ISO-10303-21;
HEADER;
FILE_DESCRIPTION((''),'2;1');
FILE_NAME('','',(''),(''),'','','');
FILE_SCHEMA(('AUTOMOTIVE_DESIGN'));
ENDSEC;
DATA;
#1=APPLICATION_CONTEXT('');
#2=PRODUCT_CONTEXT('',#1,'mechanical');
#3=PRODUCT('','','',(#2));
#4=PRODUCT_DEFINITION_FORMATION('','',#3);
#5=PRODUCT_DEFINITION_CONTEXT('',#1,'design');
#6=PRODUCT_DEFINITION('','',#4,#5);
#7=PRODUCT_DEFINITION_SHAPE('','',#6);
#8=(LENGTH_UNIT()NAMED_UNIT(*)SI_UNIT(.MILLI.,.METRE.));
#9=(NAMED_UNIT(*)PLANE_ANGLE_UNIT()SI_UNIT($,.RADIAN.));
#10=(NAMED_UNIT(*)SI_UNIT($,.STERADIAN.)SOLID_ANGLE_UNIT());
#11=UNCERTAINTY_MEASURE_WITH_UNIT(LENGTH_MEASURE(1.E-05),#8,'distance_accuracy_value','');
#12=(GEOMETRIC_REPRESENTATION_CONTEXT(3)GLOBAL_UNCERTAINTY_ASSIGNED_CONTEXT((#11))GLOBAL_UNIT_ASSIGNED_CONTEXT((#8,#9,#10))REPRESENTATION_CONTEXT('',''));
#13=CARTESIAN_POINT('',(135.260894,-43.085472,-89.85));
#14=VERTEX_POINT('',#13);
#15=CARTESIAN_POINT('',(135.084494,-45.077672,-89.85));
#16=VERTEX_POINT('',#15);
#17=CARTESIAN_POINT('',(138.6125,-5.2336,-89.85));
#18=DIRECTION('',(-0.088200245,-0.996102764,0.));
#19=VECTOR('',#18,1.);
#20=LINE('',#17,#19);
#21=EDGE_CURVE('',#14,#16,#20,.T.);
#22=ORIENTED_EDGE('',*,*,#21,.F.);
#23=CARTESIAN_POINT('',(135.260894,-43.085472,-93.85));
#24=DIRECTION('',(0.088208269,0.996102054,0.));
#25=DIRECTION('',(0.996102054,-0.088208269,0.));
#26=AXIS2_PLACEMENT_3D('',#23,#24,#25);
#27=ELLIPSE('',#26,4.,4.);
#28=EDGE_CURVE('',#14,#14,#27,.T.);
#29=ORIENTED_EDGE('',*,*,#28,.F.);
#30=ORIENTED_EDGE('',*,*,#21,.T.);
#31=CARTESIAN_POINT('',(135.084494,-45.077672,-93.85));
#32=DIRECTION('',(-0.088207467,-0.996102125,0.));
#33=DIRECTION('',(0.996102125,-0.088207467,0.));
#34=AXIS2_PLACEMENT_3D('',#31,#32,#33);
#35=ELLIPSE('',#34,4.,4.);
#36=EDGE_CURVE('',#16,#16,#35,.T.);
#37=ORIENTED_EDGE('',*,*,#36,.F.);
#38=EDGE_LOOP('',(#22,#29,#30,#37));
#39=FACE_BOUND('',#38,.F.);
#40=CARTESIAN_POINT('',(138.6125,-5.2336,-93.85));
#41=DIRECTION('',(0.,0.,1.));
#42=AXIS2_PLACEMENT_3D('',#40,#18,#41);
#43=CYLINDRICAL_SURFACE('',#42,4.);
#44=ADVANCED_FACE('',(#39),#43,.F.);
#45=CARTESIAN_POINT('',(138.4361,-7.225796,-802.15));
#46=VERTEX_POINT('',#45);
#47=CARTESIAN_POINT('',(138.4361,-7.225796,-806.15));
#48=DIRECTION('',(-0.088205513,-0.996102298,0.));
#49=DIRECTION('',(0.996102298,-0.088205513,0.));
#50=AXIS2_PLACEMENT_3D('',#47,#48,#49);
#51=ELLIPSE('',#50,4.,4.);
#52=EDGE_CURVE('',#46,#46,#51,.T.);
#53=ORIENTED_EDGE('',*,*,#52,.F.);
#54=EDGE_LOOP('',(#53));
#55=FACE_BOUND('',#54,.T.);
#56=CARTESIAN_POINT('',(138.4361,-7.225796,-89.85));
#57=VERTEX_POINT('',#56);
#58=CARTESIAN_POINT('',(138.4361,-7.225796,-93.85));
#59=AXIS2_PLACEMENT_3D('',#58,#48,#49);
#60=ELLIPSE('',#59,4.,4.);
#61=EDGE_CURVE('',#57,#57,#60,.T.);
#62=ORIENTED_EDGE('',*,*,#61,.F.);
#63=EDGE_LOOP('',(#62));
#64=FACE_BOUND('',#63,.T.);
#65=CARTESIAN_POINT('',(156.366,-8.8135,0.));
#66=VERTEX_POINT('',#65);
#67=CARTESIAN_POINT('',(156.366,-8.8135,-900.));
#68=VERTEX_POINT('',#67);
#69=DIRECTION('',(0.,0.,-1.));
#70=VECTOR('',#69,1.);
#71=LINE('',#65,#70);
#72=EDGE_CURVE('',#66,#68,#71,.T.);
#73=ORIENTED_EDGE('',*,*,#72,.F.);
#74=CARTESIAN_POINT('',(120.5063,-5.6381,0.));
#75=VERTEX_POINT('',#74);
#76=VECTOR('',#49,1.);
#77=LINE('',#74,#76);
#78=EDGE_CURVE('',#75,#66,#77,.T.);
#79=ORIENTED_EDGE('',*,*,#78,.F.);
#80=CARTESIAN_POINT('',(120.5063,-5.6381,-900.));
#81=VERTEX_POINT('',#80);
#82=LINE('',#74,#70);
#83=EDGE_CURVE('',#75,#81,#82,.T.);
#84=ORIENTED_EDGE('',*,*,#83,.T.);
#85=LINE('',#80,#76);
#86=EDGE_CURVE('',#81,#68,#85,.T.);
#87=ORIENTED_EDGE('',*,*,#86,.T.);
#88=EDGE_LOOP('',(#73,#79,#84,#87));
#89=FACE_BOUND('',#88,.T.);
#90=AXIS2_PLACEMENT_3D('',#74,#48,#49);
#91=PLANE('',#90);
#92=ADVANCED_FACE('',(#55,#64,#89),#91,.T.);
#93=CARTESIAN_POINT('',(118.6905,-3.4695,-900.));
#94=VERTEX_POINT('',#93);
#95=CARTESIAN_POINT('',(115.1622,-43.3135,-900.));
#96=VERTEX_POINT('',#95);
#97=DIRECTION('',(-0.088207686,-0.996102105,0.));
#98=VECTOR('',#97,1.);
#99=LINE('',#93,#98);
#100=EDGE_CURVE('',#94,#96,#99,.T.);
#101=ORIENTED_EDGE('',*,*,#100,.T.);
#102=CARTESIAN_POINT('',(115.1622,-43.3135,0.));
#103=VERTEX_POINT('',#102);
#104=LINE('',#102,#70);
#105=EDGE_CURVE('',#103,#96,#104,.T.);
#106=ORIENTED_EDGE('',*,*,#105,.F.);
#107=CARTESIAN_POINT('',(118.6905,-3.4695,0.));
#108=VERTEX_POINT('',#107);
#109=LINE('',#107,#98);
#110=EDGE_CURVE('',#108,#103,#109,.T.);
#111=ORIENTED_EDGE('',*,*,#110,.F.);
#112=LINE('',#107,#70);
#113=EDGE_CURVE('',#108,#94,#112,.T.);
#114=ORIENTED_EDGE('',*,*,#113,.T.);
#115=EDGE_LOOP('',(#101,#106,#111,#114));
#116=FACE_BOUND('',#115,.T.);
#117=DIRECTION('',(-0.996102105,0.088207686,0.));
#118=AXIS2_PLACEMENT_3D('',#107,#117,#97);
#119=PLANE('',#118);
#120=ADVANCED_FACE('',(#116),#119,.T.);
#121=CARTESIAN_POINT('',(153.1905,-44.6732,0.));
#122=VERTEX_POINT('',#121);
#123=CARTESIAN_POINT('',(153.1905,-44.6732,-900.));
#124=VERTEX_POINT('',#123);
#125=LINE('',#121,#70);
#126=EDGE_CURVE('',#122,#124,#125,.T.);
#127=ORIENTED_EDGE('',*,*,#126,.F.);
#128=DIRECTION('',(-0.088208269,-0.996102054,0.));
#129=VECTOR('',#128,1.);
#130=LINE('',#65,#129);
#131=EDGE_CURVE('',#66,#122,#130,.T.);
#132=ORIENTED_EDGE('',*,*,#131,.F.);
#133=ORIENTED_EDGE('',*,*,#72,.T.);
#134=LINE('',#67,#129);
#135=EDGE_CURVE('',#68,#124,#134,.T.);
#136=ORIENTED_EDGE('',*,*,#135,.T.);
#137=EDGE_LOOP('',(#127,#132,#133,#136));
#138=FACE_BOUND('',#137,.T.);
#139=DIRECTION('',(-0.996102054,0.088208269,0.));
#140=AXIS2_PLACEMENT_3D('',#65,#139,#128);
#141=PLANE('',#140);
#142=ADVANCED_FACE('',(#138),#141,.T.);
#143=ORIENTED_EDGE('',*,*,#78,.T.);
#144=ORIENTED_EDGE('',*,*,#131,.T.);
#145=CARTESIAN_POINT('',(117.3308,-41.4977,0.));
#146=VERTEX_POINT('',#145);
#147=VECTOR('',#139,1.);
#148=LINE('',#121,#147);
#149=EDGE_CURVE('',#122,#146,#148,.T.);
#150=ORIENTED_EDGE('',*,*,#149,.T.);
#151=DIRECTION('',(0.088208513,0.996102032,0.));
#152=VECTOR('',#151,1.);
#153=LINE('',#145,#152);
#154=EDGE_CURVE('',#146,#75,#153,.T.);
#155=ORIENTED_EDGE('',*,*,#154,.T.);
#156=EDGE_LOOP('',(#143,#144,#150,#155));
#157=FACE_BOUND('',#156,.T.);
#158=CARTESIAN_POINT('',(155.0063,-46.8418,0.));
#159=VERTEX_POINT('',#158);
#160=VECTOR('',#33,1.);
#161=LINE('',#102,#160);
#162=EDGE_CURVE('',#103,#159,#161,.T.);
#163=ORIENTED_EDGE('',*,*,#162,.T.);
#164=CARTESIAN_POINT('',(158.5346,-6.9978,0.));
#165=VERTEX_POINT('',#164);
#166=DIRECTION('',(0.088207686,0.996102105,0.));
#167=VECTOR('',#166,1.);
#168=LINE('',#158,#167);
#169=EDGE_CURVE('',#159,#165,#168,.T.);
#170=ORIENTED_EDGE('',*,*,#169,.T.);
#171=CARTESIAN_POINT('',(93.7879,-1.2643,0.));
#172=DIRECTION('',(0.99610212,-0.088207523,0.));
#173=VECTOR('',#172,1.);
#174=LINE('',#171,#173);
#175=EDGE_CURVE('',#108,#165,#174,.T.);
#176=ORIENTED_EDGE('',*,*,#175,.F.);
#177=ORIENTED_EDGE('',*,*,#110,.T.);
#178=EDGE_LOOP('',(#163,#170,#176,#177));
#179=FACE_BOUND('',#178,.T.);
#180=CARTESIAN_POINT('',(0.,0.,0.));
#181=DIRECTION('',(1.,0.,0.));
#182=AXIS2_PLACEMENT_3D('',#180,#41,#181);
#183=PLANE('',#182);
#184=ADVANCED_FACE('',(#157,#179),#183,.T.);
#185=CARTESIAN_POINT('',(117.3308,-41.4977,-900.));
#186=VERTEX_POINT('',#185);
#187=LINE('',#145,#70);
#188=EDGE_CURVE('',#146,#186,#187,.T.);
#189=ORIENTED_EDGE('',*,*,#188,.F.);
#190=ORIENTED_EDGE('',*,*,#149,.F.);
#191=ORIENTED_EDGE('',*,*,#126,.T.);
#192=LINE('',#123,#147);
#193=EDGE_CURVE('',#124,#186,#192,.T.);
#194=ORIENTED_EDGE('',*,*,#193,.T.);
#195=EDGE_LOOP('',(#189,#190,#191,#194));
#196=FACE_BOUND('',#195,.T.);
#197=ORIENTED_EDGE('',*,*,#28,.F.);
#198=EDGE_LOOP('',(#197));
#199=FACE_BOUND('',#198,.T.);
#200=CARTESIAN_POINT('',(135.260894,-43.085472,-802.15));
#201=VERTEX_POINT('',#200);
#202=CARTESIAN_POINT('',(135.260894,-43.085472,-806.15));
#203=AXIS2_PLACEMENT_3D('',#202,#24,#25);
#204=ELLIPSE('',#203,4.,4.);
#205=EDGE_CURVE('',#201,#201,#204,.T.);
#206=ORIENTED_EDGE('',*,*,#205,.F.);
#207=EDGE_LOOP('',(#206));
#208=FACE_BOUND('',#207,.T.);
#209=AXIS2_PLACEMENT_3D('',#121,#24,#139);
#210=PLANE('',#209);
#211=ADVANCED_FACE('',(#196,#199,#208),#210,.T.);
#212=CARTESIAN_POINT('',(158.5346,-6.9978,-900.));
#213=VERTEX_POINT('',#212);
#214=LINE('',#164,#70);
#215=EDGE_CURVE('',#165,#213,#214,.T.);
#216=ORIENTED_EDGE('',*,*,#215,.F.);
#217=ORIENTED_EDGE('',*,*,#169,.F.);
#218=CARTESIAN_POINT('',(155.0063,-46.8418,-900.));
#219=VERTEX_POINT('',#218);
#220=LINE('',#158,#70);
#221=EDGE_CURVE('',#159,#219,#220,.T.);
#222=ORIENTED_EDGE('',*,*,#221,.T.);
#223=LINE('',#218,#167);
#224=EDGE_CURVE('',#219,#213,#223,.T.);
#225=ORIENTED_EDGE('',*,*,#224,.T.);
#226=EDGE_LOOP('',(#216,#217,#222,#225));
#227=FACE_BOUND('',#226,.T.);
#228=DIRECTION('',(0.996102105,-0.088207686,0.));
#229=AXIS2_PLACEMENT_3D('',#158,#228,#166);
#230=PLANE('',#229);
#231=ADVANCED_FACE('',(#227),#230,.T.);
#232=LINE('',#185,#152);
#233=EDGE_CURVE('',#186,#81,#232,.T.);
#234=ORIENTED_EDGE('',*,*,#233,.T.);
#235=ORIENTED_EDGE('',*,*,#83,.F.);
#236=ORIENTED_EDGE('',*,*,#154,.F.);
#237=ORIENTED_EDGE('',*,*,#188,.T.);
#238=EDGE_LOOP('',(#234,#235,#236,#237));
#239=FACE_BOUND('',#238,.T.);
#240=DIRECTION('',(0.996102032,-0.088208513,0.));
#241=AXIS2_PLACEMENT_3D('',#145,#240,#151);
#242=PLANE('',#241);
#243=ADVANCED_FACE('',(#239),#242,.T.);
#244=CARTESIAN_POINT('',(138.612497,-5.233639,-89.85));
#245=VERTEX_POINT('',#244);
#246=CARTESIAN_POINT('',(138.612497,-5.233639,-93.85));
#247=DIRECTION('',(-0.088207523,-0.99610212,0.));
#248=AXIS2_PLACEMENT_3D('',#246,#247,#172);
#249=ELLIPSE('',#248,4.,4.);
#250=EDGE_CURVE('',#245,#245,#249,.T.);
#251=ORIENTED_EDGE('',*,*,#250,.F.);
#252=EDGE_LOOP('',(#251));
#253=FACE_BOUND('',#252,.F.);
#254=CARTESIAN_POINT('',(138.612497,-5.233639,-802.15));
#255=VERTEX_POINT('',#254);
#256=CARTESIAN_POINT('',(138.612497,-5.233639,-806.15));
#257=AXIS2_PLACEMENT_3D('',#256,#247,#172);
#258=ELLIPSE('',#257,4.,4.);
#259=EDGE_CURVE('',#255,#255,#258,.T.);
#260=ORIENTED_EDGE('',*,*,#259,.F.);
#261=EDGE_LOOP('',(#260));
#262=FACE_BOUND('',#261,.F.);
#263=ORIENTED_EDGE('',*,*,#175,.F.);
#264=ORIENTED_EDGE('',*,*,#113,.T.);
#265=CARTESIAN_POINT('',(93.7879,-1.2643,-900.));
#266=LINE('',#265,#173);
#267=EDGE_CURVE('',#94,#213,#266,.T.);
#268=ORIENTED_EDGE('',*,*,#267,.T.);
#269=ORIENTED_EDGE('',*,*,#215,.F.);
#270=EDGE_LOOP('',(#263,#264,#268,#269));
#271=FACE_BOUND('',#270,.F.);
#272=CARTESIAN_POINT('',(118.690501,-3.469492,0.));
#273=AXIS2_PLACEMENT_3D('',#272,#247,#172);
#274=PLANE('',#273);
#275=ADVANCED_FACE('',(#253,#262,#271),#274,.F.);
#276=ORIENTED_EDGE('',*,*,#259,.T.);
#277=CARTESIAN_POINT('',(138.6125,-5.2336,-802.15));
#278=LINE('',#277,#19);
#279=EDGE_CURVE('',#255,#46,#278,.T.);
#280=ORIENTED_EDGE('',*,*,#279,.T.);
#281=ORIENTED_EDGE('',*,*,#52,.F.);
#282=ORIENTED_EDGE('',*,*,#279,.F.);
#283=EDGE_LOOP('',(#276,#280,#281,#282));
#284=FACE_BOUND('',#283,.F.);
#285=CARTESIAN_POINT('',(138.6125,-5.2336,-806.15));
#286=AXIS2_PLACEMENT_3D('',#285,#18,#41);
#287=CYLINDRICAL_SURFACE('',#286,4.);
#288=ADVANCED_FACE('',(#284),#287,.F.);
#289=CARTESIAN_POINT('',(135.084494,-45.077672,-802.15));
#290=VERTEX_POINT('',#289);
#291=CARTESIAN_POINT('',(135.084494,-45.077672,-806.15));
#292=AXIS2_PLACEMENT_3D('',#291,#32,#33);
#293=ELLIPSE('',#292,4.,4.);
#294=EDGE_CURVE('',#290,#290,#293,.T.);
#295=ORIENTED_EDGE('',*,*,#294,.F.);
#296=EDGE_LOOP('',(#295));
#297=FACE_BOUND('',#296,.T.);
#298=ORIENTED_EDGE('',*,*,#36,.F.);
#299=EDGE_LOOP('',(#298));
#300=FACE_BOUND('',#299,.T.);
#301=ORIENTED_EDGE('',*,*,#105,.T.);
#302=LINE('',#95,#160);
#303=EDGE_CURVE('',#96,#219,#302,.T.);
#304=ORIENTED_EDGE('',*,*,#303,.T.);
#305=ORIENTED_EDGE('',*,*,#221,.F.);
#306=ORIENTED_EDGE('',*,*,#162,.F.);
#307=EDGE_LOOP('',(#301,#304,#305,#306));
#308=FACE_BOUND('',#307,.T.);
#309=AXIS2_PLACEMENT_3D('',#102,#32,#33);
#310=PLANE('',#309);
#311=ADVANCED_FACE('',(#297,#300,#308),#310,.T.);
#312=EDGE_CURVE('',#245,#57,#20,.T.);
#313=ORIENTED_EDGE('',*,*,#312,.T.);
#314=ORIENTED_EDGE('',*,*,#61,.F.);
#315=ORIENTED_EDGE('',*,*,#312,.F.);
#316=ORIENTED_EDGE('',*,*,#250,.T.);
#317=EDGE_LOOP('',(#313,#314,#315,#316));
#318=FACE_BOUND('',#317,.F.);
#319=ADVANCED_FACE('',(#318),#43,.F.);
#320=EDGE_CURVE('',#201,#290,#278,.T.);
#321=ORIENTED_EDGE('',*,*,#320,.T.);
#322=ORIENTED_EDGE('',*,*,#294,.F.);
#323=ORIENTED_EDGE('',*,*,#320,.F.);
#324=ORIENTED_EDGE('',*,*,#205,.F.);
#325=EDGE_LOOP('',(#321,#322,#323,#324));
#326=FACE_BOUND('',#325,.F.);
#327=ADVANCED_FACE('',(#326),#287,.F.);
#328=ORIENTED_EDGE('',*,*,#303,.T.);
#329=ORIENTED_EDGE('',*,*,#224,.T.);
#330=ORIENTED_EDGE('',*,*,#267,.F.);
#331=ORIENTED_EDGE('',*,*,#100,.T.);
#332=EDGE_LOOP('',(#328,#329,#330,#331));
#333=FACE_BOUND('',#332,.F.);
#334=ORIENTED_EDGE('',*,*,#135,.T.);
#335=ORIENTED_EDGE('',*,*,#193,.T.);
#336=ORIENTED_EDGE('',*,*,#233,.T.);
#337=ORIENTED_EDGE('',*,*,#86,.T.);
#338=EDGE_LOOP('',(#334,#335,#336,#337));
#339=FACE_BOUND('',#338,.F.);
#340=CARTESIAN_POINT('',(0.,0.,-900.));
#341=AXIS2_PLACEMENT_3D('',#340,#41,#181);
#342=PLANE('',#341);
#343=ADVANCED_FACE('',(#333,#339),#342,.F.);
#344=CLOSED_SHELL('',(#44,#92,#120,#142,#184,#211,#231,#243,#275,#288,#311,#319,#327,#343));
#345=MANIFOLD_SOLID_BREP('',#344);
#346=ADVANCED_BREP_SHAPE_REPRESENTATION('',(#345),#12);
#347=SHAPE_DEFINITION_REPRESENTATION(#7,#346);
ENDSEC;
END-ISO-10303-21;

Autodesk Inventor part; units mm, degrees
ref_plane "YZ Plane" through (0, 0, 0) normal (1, 0, 0) x (0, 1, 0)
ref_plane "XZ Plane" through (0, 0, 0) normal (0, 1, 0) x (-1, 0, 0)
ref_plane "XY Plane" through (0, 0, 0) normal (0, 0, 1) x (1, 0, 0)
sketch "Boceto10" plane through (0, 0, 0) normal (0, 0, 1) x (1, 0, 0)
  line L0 (93.7879, -1.2643) -> (379.7634, -26.5882)
  line L1 (93.7879, -1.2643) -> (118.6905, -3.4695)
  line L2 (118.6905, -3.4695) -> (115.1622, -43.3135)
  line L3 (115.1622, -43.3135) -> (155.0063, -46.8418)
  line L4 (155.0063, -46.8418) -> (158.5346, -6.9978)
  line L5 (158.5346, -6.9978) -> (118.6905, -3.4695)
  line L6 (156.366, -8.8135) -> (153.1905, -44.6732)
  line L7 (153.1905, -44.6732) -> (117.3308, -41.4977)
  line L8 (117.3308, -41.4977) -> (120.5063, -5.6381)
  line L9 (120.5063, -5.6381) -> (156.366, -8.8135)
  line L10 (118.6905, -3.4695) -> (115.1622, -43.3135)
  line L11 (115.1622, -43.3135) -> (155.0063, -46.8418)
  line L12 (155.0063, -46.8418) -> (158.5346, -6.9978)
  line L13 (158.5346, -6.9978) -> (118.6905, -3.4695)
  point P0 (0, 0)
  dimension "d40" = 25
  dimension "l_c" = 40
  dimension "l_c2" = 40
  dimension "l_c3" = 40
  dimension "t_c" = 2
extrude "Extrusión2" add sketch "Boceto10" against normal blind 900
sketch "Boceto12" plane through (158.5346, -6.9978, 0) normal (0.0882, 0.9961, 0) x (0.9961, -0.0882, 0)
  line L0 (-20, -27) -> (-20, 93.85)
  circle A0 centre (-20, 93.85) radius 4
  line L1 (-38, 900) -> (-2, 900) projected
  line L2 (-20, 900) -> (-20, 806.15)
  circle A1 centre (-20, 806.15) radius 4
  line L3 (-20, 93.85) -> (-20, 806.15)
  line L4 (0, 0) -> (-40, 0) projected
  line L5 (-40, 0) -> (-40, 108)
  line L6 (-40, 0) -> (-40, 900) projected
  point P0 (-158.5339, 0)
  dimension "d49" = 8
  dimension "d51" = 8
  dimension "d59" = 712.3
  dimension "d60" = 93.85
  dimension "d61" = 108
hole "Agujero1" at (138.6125, -5.2336, -93.85) at (138.6125, -5.2336, -806.15) direction (-0.0882, -0.9961, 0) diameter 8 end through all
equation "\"l_c2\" = l_c"
equation "\"l_c3\" = l_c"
properties part number "Asiento nuevo" material "Acero, suave"
